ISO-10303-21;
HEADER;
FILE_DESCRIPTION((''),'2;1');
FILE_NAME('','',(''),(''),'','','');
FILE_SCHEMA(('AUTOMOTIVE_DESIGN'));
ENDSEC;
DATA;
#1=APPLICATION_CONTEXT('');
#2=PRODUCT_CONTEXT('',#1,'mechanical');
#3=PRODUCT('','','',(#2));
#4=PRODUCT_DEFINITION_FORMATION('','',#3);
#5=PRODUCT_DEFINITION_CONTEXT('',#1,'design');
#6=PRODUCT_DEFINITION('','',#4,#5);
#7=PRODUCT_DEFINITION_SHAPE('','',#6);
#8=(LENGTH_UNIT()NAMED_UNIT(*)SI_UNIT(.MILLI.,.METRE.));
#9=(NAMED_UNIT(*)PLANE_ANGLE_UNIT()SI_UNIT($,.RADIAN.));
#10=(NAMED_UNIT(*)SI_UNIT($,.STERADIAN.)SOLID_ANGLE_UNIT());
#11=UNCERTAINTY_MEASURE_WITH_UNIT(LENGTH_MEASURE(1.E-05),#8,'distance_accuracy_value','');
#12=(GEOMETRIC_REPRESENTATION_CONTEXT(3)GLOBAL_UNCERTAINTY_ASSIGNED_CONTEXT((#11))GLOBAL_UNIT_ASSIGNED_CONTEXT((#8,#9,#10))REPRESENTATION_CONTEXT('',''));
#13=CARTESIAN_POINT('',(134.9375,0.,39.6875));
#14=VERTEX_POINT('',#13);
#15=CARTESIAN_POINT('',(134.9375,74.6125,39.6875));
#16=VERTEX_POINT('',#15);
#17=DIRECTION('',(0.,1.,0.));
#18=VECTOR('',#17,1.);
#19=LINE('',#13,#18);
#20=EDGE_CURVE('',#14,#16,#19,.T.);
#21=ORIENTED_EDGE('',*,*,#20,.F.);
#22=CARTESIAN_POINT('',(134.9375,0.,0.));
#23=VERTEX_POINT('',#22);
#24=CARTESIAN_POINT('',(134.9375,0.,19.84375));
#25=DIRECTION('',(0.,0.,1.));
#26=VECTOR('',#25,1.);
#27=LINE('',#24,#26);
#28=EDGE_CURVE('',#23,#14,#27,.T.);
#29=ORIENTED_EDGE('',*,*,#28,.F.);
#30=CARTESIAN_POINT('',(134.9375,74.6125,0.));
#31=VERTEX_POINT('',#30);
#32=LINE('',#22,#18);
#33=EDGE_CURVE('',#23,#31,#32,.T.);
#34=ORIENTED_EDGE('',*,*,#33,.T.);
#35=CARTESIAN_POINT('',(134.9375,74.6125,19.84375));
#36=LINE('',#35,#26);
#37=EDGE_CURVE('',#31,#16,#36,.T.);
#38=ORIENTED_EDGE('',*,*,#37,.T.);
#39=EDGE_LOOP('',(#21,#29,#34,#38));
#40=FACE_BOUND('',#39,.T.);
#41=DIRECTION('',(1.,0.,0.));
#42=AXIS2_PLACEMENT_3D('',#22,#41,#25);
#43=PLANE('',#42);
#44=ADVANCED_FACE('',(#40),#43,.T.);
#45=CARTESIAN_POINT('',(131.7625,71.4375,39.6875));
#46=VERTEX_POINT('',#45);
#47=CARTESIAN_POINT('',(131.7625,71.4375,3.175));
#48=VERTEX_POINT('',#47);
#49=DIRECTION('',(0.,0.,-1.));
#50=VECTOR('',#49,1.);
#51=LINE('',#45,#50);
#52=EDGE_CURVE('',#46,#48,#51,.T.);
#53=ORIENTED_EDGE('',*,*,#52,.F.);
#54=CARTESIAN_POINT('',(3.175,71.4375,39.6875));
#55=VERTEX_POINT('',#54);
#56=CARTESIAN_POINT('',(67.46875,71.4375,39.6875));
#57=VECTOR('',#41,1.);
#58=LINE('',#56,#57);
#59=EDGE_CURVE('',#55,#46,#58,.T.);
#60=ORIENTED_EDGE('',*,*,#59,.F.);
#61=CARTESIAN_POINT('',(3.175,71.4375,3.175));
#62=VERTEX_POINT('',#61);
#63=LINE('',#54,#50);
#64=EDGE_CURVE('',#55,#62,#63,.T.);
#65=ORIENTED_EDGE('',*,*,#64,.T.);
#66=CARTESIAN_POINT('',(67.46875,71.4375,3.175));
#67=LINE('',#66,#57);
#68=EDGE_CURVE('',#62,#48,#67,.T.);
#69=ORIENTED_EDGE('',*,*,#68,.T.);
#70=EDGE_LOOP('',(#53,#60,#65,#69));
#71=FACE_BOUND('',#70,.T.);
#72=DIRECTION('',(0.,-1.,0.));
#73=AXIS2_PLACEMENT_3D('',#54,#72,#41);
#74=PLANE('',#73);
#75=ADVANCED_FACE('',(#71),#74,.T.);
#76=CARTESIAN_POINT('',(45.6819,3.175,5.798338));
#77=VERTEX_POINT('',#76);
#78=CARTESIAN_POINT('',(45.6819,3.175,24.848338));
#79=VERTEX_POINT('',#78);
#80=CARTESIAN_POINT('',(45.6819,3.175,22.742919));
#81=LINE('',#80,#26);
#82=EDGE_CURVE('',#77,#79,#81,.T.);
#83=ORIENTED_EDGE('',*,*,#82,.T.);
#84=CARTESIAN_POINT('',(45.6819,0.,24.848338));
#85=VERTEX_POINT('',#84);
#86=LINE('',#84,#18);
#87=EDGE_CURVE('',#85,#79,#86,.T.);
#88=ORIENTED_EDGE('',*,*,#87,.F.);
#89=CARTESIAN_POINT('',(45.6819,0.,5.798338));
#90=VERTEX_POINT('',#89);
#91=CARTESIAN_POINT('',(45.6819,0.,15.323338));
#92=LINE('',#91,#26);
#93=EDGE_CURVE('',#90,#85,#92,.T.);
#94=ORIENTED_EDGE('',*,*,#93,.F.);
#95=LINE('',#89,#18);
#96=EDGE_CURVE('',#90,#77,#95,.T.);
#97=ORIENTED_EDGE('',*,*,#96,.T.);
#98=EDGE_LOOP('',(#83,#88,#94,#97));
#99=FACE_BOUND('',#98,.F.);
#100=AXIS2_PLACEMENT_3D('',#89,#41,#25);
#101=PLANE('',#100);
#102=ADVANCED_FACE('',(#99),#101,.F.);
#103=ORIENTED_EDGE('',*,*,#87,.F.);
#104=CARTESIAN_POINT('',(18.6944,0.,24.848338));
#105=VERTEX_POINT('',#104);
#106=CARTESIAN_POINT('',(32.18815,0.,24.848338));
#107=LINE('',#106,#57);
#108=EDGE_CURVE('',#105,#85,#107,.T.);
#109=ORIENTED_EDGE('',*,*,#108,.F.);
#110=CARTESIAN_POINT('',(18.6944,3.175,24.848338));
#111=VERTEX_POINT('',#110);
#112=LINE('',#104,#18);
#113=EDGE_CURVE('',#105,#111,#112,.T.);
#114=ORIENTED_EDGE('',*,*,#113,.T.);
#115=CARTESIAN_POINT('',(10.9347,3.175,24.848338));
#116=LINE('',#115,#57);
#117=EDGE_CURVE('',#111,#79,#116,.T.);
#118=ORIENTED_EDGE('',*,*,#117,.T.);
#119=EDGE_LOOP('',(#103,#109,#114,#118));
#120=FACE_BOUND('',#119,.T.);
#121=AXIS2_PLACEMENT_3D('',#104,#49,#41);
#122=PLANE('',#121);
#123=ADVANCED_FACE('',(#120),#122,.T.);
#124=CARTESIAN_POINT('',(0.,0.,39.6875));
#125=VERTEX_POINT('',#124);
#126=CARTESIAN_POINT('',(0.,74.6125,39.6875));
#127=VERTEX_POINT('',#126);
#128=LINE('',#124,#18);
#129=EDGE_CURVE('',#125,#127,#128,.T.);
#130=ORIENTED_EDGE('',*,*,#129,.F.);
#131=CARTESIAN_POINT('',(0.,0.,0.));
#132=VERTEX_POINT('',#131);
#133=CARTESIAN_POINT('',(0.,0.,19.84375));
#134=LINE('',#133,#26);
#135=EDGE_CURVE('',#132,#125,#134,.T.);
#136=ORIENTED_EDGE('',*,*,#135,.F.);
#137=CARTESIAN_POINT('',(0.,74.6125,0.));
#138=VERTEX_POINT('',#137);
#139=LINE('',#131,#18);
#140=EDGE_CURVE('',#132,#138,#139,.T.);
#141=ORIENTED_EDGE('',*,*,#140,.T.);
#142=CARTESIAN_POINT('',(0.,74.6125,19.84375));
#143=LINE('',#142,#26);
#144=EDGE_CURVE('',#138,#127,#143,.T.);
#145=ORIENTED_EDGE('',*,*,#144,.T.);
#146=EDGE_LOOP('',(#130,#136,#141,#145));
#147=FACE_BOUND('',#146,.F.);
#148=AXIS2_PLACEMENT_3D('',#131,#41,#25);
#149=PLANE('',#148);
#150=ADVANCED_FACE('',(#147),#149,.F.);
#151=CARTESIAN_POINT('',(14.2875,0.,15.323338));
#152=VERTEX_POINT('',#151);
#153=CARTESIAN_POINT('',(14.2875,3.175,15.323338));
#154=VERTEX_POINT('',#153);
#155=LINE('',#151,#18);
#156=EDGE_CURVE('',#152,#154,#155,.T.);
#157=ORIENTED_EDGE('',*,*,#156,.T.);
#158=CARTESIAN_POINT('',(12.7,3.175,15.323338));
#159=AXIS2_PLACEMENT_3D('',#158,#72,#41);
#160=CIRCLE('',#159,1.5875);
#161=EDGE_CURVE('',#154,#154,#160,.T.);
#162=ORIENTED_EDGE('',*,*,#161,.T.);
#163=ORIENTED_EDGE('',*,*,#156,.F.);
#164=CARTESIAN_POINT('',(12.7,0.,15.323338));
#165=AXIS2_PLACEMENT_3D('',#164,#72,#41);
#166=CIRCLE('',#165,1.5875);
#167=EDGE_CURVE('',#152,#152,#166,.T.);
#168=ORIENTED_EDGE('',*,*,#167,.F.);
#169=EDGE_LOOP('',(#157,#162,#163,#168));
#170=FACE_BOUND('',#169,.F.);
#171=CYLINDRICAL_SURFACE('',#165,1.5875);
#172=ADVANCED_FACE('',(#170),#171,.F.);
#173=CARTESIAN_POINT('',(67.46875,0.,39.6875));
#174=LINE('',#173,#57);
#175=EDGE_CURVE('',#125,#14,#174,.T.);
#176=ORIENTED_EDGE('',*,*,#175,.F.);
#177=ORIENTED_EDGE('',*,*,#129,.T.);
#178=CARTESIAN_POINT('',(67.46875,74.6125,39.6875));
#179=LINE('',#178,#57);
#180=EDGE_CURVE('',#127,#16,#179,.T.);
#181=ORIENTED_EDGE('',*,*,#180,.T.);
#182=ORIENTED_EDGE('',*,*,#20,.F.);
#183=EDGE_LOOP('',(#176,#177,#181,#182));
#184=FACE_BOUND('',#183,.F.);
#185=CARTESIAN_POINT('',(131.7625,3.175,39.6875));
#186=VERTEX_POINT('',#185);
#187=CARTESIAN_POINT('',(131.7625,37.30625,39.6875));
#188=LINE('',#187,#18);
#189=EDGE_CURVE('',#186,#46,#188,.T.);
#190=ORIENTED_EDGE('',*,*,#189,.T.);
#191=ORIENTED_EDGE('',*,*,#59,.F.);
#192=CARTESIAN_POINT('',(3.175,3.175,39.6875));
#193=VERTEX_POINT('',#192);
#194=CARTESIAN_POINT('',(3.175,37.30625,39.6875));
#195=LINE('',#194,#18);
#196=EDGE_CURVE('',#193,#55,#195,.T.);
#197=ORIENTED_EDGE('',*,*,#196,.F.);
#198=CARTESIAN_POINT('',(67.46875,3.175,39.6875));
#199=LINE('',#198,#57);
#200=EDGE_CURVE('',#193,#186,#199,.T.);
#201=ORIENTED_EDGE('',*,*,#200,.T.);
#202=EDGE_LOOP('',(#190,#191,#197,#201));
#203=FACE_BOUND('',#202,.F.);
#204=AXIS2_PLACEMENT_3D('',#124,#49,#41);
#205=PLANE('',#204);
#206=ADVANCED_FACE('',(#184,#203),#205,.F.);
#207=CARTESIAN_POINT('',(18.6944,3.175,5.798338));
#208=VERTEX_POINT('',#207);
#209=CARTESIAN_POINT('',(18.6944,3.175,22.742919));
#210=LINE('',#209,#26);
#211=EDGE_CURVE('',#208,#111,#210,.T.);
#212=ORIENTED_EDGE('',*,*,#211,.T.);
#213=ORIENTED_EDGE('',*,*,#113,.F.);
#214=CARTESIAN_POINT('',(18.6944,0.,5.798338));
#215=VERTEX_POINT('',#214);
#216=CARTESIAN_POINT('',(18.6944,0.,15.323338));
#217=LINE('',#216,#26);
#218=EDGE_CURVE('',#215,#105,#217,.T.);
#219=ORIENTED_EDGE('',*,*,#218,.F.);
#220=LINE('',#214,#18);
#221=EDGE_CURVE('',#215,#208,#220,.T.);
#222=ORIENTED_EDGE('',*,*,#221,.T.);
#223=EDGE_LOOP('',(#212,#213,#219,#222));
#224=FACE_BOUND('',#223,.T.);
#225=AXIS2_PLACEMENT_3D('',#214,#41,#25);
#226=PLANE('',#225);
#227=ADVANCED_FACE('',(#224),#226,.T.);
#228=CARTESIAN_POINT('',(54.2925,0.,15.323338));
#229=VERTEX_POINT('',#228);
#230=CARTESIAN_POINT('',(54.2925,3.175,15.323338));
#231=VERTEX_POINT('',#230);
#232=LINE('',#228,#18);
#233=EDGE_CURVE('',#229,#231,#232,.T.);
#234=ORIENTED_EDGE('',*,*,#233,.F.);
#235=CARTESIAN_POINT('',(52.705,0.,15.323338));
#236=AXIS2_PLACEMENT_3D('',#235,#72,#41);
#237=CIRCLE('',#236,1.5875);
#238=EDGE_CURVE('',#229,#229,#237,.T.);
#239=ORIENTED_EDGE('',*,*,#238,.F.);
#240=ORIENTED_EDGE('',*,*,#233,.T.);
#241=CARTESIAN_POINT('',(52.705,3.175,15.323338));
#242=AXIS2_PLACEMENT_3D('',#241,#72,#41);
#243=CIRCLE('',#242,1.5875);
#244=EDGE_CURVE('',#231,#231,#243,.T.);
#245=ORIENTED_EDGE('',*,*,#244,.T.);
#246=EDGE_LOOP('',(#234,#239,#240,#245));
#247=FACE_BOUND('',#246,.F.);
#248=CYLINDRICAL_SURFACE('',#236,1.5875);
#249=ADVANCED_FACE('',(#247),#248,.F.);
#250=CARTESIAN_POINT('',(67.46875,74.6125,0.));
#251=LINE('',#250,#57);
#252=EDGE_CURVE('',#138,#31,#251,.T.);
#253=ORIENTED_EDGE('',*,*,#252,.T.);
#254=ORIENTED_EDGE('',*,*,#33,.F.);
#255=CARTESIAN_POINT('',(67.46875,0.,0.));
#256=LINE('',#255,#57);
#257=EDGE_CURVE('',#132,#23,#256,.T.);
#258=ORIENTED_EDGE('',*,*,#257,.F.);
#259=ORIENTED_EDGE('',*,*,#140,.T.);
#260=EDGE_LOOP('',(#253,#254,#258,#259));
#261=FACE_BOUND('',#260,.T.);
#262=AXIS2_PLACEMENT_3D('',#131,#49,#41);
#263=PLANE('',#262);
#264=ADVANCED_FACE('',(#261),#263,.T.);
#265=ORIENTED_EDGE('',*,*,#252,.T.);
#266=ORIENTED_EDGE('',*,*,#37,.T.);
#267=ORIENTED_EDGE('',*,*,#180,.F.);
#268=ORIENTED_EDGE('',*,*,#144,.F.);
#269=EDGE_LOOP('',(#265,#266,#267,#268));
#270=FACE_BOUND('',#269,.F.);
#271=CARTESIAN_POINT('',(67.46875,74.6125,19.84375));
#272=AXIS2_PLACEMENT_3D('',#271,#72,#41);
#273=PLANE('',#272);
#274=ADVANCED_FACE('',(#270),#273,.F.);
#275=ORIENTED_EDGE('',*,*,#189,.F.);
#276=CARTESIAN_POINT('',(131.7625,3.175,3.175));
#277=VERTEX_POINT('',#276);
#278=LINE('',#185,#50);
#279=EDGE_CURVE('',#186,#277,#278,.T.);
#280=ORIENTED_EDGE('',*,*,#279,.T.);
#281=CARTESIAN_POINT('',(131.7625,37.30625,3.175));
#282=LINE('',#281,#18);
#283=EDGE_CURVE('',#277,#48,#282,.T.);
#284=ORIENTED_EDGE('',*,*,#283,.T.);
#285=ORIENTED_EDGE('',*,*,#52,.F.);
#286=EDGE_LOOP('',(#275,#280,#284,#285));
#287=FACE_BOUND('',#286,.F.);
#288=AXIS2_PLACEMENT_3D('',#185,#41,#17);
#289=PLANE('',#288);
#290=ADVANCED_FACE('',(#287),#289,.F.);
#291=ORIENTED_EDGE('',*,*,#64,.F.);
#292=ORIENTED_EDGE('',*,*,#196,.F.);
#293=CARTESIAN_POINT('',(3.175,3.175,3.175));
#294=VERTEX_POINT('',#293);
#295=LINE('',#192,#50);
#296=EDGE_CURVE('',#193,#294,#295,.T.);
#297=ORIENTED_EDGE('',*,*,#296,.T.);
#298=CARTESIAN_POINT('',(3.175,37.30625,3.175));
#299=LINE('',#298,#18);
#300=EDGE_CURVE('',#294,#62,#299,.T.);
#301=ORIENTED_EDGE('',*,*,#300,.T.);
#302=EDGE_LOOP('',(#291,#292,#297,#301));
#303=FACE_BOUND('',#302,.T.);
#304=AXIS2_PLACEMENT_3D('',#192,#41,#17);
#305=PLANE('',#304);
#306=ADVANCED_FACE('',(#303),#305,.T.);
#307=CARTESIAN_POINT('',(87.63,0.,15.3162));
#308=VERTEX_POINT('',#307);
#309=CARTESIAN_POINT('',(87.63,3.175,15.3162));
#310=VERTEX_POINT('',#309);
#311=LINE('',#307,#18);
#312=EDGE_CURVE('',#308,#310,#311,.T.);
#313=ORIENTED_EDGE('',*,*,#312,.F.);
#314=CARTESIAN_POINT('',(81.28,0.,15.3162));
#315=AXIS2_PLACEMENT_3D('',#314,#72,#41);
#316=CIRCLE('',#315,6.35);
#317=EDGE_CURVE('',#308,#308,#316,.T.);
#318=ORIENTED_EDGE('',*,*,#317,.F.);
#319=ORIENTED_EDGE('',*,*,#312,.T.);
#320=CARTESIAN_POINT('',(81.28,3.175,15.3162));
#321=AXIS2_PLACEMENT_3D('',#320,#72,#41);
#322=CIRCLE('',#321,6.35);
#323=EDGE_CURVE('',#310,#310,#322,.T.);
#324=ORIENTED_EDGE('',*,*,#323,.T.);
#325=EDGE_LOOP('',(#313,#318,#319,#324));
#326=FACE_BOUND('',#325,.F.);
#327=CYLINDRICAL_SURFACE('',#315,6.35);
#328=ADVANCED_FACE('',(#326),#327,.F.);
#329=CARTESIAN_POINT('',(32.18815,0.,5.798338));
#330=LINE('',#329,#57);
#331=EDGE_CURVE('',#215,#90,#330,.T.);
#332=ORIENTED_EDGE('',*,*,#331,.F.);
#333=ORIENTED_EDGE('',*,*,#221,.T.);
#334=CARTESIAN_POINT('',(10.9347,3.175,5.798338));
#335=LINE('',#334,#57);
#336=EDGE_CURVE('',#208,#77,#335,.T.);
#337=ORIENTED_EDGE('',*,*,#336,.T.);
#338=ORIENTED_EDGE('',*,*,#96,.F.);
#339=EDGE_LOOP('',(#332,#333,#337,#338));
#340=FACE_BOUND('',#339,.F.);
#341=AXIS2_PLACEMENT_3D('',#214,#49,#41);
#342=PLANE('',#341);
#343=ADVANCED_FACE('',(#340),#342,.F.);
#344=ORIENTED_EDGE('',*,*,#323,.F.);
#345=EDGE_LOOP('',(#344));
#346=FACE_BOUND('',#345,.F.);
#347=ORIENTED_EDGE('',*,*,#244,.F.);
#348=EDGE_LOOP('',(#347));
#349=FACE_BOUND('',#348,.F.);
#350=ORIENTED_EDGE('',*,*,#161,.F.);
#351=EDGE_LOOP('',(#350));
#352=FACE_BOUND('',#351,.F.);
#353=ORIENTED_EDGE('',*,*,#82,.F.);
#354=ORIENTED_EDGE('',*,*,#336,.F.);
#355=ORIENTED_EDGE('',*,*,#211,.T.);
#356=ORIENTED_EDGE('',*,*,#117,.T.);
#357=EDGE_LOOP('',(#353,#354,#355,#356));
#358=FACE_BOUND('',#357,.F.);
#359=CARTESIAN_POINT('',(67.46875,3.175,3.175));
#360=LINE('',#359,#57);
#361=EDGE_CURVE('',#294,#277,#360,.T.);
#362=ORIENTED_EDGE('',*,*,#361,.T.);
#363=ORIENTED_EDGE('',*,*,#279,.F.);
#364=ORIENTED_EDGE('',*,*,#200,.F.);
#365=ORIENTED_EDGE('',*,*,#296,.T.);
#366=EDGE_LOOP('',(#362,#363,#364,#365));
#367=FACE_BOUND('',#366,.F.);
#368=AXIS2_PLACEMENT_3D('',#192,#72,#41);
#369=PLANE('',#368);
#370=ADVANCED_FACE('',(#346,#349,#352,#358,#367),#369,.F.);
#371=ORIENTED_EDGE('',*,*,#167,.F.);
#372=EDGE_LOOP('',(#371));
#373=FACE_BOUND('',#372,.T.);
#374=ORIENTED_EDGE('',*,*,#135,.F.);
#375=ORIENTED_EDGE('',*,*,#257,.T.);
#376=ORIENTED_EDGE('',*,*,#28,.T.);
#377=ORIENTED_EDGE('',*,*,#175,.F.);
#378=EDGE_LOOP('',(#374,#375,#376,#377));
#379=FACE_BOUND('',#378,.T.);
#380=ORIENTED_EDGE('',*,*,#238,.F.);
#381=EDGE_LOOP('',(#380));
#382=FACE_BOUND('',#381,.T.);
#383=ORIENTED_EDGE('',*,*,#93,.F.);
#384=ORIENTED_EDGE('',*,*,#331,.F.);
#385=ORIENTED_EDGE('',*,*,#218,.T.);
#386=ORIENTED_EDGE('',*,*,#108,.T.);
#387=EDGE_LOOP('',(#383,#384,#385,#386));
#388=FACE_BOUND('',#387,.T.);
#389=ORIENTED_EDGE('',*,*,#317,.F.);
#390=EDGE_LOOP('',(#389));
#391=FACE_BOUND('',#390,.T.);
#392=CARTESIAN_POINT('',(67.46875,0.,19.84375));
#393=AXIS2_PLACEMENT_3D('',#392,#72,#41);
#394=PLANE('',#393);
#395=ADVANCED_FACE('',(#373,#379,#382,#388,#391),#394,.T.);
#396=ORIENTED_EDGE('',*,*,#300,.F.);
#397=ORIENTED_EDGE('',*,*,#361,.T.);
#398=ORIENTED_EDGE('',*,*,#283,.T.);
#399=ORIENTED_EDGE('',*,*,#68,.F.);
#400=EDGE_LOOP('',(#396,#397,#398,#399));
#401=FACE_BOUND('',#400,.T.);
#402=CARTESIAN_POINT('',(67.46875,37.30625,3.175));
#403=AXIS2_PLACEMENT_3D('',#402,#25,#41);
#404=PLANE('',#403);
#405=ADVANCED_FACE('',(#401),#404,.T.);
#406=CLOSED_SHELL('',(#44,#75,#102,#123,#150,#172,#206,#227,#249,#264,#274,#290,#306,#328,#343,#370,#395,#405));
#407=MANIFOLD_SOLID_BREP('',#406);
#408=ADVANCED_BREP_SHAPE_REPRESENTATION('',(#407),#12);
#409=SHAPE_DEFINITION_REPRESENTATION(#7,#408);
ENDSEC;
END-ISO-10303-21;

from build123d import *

# Parameters (mm, degrees)
F0_W     = 134.9375
F0_H     = 39.6875
F1_DEPTH = 74.6125
F2_W     = 128.5875
F2_H     = 68.2625
F3_DEPTH = 36.5125
F4_R     = 1.5875
F4_W     = 26.9875
F4_H     = 19.05
F5_DEPTH = 6.35
F6_R     = 6.35
F7_DEPTH = 6.35


with BuildPart() as f1:
    # F0 (on Front) → F1 (new body)
    with BuildSketch(Plane.XZ):
        with Locations((67.46875, 19.84375)):
            Rectangle(F0_W, F0_H)
    extrude(amount=-F1_DEPTH)

    # F2 (on face) → F3 (cut)
    with BuildSketch(Plane.XY.offset(39.6875)):
        with Locations((67.46875, 37.30625)):
            Rectangle(F2_W, F2_H)
    extrude(amount=-F3_DEPTH, mode=Mode.SUBTRACT)

    # F4 (on face) → F5 (cut)
    with BuildSketch(Plane.XZ):
        with Locations((12.7, 15.323338)):
            Circle(F4_R)
        with Locations((52.705, 15.323338)):
            Circle(F4_R)
        with Locations((32.18815, 15.323338)):
            Rectangle(F4_W, F4_H)
    extrude(amount=-F5_DEPTH, mode=Mode.SUBTRACT)

    # F6 (on face) → F7 (cut)
    with BuildSketch(Plane.XZ):
        with Locations((81.28, 15.3162)):
            Circle(F6_R)
    extrude(amount=-F7_DEPTH, mode=Mode.SUBTRACT)


solid = f1.part
